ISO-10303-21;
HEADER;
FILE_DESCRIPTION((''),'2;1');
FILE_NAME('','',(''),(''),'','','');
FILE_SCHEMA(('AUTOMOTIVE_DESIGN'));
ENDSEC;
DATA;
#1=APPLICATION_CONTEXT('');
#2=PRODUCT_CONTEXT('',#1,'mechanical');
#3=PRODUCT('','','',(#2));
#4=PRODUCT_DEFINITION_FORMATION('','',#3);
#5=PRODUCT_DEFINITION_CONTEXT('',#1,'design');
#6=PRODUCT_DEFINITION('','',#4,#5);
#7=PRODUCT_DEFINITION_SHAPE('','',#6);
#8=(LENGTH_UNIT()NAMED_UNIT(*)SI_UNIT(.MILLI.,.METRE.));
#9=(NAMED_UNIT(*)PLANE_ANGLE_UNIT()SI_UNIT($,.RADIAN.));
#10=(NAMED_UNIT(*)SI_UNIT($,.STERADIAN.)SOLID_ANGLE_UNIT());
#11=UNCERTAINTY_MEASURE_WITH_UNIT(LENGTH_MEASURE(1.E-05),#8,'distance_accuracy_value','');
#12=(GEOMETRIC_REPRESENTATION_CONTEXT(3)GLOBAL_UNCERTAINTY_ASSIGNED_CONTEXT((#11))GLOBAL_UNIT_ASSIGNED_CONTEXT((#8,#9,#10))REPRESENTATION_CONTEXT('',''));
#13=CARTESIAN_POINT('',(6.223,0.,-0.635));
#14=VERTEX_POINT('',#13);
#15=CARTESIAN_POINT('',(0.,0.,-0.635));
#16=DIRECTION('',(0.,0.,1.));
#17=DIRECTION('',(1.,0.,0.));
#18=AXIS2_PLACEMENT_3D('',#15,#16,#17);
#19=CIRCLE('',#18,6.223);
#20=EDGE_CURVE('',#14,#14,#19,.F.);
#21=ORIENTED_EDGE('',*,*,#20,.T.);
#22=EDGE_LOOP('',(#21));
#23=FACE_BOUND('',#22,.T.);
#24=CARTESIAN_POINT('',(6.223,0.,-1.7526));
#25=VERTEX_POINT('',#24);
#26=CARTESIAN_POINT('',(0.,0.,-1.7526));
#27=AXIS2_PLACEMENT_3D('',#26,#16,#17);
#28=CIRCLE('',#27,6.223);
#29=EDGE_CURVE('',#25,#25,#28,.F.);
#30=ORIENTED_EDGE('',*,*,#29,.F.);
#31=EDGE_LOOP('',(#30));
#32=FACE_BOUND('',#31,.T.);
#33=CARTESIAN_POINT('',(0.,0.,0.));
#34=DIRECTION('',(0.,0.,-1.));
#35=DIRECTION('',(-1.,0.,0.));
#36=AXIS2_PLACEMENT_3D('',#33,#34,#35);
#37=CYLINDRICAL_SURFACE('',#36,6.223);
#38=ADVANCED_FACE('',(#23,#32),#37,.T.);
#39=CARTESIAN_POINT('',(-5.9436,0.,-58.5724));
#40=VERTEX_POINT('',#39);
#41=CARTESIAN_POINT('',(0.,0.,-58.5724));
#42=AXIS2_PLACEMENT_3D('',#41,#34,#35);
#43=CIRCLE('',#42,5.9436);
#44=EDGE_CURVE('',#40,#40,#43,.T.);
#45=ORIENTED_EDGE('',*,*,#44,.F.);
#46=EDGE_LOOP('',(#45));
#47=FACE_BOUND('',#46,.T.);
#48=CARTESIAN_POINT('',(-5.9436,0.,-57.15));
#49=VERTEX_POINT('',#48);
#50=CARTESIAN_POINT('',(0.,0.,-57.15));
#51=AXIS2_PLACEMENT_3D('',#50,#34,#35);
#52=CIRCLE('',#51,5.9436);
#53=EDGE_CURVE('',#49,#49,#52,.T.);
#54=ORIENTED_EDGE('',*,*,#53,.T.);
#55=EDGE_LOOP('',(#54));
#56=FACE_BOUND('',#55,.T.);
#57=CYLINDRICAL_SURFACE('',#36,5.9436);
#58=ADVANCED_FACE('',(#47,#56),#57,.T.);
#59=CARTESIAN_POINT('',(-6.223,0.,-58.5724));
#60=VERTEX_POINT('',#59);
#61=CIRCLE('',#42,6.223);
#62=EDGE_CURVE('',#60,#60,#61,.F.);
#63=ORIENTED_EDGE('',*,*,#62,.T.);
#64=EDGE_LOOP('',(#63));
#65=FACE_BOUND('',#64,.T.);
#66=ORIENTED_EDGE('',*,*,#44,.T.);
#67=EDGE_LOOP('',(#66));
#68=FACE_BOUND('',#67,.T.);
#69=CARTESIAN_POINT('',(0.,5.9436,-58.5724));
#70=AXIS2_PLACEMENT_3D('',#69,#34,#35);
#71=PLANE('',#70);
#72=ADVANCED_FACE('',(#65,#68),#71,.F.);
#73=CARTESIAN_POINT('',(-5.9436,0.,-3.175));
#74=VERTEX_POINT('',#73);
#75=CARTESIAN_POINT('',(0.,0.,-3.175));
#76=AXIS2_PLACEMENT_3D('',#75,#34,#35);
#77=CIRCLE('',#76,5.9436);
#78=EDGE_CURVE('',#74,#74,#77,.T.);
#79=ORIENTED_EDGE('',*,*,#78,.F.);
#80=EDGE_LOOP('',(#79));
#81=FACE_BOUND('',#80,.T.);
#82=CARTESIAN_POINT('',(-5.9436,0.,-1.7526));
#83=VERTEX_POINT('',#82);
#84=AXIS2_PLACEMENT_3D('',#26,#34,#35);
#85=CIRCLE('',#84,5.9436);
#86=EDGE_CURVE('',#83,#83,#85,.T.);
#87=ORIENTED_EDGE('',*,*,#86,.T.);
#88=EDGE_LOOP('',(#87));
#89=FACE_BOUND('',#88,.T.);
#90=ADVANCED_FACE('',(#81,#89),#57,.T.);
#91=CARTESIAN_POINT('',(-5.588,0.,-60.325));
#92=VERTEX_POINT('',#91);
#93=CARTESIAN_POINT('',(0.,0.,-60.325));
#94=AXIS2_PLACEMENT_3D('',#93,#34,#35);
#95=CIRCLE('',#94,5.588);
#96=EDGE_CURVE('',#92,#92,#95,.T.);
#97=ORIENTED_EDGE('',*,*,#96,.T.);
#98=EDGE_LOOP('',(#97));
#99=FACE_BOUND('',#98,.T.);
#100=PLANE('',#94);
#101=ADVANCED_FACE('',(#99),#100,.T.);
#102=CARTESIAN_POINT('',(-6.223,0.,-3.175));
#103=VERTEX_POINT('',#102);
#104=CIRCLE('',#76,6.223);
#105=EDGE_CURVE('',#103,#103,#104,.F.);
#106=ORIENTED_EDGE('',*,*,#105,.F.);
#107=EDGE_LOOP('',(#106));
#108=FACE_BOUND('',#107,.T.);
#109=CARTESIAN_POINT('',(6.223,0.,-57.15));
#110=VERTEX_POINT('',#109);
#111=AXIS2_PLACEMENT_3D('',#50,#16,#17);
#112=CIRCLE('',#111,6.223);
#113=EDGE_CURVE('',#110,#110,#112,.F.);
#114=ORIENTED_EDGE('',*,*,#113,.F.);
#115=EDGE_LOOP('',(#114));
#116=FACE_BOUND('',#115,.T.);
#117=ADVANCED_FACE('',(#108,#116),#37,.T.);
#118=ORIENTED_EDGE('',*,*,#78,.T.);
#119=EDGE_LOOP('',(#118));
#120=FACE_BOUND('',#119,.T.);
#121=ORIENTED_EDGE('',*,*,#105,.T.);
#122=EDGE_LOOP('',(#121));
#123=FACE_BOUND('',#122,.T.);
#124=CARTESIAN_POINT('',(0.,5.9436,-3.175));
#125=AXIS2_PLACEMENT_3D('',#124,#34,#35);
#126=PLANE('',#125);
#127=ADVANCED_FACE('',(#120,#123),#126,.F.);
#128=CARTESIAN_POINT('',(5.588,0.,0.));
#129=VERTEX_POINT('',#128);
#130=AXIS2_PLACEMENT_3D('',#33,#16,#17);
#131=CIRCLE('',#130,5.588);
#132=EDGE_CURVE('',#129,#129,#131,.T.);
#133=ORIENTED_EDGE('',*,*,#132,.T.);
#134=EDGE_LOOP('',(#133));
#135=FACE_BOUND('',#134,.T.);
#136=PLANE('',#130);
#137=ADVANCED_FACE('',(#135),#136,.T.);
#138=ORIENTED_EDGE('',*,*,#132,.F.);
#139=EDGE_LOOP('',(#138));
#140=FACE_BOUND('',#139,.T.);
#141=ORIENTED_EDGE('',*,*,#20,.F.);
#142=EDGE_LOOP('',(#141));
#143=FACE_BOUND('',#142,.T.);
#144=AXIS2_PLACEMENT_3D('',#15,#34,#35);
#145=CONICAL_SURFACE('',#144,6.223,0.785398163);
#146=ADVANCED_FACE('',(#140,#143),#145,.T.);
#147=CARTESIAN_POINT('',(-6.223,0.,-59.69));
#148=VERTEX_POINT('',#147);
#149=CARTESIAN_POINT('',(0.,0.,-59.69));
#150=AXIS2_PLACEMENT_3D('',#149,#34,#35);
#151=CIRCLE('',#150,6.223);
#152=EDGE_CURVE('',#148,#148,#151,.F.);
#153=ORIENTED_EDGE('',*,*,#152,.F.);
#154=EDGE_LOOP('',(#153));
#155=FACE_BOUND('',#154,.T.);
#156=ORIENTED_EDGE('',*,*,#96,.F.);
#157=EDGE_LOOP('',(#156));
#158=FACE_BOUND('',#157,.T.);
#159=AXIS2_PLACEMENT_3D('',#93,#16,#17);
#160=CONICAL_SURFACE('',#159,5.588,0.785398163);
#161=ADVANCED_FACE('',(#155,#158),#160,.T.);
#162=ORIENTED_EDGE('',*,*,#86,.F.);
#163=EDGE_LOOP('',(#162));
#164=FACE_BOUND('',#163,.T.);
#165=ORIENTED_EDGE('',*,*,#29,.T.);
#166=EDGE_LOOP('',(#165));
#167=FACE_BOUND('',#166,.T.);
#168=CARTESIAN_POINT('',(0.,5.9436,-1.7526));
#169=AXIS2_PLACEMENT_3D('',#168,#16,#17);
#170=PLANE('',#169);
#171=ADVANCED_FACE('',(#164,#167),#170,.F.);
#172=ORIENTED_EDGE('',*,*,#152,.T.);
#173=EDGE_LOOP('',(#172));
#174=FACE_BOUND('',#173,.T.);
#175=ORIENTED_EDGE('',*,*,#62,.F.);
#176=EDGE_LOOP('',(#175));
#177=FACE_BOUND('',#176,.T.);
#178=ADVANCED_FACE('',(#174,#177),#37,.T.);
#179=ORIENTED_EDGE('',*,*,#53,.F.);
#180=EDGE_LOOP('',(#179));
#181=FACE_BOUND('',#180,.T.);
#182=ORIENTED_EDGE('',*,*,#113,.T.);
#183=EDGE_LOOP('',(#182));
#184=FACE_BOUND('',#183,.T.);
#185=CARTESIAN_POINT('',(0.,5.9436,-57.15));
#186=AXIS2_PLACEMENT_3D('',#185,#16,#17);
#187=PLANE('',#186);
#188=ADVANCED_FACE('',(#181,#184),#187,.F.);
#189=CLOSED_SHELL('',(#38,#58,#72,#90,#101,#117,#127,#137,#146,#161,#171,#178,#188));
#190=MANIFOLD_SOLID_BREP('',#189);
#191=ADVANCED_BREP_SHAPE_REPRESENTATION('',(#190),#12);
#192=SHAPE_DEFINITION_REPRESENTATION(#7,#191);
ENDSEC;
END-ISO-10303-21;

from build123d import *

# Parameters (mm, degrees)
SKETCH1_W     = 60.325
SKETCH1_H     = 6.223
SKETCH2_W     = 1.4224
SKETCH2_H     = 0.8128
CHAMFER1_SIZE = 0.635


with BuildPart() as part:
    # Sketch1 → Revolve1 (revolve)
    with BuildSketch(Plane(origin=(0, 0, 0), x_dir=(0, 0, -1), z_dir=(1, 0, 0))):
        with Locations((30.1625, 3.1115)):
            Rectangle(SKETCH1_W, SKETCH1_H)
    revolve(axis=Axis((0, 0, 0), (0, 0, 1)))

    # Sketch2 → Cut-Revolve1 (revolve, cut)
    with BuildSketch(Plane(origin=(0, 0, 0), x_dir=(0, 0, -1), z_dir=(1, 0, 0))):
        with Locations((2.4638, 6.35)):
            Rectangle(SKETCH2_W, SKETCH2_H)
        with Locations((57.8612, 6.35)):
            Rectangle(SKETCH2_W, SKETCH2_H)
    revolve(axis=Axis((0, 0, 0), (0, 0, 1)), mode=Mode.SUBTRACT)

    # Chamfer1
    chamfer1_edges = [part.edges().sort_by_distance(p)[0] for p in [
        (0, -6.223, -60.325),
        (0, -6.223, 0),
    ]]
    chamfer(chamfer1_edges, length=CHAMFER1_SIZE)


solid = part.part
